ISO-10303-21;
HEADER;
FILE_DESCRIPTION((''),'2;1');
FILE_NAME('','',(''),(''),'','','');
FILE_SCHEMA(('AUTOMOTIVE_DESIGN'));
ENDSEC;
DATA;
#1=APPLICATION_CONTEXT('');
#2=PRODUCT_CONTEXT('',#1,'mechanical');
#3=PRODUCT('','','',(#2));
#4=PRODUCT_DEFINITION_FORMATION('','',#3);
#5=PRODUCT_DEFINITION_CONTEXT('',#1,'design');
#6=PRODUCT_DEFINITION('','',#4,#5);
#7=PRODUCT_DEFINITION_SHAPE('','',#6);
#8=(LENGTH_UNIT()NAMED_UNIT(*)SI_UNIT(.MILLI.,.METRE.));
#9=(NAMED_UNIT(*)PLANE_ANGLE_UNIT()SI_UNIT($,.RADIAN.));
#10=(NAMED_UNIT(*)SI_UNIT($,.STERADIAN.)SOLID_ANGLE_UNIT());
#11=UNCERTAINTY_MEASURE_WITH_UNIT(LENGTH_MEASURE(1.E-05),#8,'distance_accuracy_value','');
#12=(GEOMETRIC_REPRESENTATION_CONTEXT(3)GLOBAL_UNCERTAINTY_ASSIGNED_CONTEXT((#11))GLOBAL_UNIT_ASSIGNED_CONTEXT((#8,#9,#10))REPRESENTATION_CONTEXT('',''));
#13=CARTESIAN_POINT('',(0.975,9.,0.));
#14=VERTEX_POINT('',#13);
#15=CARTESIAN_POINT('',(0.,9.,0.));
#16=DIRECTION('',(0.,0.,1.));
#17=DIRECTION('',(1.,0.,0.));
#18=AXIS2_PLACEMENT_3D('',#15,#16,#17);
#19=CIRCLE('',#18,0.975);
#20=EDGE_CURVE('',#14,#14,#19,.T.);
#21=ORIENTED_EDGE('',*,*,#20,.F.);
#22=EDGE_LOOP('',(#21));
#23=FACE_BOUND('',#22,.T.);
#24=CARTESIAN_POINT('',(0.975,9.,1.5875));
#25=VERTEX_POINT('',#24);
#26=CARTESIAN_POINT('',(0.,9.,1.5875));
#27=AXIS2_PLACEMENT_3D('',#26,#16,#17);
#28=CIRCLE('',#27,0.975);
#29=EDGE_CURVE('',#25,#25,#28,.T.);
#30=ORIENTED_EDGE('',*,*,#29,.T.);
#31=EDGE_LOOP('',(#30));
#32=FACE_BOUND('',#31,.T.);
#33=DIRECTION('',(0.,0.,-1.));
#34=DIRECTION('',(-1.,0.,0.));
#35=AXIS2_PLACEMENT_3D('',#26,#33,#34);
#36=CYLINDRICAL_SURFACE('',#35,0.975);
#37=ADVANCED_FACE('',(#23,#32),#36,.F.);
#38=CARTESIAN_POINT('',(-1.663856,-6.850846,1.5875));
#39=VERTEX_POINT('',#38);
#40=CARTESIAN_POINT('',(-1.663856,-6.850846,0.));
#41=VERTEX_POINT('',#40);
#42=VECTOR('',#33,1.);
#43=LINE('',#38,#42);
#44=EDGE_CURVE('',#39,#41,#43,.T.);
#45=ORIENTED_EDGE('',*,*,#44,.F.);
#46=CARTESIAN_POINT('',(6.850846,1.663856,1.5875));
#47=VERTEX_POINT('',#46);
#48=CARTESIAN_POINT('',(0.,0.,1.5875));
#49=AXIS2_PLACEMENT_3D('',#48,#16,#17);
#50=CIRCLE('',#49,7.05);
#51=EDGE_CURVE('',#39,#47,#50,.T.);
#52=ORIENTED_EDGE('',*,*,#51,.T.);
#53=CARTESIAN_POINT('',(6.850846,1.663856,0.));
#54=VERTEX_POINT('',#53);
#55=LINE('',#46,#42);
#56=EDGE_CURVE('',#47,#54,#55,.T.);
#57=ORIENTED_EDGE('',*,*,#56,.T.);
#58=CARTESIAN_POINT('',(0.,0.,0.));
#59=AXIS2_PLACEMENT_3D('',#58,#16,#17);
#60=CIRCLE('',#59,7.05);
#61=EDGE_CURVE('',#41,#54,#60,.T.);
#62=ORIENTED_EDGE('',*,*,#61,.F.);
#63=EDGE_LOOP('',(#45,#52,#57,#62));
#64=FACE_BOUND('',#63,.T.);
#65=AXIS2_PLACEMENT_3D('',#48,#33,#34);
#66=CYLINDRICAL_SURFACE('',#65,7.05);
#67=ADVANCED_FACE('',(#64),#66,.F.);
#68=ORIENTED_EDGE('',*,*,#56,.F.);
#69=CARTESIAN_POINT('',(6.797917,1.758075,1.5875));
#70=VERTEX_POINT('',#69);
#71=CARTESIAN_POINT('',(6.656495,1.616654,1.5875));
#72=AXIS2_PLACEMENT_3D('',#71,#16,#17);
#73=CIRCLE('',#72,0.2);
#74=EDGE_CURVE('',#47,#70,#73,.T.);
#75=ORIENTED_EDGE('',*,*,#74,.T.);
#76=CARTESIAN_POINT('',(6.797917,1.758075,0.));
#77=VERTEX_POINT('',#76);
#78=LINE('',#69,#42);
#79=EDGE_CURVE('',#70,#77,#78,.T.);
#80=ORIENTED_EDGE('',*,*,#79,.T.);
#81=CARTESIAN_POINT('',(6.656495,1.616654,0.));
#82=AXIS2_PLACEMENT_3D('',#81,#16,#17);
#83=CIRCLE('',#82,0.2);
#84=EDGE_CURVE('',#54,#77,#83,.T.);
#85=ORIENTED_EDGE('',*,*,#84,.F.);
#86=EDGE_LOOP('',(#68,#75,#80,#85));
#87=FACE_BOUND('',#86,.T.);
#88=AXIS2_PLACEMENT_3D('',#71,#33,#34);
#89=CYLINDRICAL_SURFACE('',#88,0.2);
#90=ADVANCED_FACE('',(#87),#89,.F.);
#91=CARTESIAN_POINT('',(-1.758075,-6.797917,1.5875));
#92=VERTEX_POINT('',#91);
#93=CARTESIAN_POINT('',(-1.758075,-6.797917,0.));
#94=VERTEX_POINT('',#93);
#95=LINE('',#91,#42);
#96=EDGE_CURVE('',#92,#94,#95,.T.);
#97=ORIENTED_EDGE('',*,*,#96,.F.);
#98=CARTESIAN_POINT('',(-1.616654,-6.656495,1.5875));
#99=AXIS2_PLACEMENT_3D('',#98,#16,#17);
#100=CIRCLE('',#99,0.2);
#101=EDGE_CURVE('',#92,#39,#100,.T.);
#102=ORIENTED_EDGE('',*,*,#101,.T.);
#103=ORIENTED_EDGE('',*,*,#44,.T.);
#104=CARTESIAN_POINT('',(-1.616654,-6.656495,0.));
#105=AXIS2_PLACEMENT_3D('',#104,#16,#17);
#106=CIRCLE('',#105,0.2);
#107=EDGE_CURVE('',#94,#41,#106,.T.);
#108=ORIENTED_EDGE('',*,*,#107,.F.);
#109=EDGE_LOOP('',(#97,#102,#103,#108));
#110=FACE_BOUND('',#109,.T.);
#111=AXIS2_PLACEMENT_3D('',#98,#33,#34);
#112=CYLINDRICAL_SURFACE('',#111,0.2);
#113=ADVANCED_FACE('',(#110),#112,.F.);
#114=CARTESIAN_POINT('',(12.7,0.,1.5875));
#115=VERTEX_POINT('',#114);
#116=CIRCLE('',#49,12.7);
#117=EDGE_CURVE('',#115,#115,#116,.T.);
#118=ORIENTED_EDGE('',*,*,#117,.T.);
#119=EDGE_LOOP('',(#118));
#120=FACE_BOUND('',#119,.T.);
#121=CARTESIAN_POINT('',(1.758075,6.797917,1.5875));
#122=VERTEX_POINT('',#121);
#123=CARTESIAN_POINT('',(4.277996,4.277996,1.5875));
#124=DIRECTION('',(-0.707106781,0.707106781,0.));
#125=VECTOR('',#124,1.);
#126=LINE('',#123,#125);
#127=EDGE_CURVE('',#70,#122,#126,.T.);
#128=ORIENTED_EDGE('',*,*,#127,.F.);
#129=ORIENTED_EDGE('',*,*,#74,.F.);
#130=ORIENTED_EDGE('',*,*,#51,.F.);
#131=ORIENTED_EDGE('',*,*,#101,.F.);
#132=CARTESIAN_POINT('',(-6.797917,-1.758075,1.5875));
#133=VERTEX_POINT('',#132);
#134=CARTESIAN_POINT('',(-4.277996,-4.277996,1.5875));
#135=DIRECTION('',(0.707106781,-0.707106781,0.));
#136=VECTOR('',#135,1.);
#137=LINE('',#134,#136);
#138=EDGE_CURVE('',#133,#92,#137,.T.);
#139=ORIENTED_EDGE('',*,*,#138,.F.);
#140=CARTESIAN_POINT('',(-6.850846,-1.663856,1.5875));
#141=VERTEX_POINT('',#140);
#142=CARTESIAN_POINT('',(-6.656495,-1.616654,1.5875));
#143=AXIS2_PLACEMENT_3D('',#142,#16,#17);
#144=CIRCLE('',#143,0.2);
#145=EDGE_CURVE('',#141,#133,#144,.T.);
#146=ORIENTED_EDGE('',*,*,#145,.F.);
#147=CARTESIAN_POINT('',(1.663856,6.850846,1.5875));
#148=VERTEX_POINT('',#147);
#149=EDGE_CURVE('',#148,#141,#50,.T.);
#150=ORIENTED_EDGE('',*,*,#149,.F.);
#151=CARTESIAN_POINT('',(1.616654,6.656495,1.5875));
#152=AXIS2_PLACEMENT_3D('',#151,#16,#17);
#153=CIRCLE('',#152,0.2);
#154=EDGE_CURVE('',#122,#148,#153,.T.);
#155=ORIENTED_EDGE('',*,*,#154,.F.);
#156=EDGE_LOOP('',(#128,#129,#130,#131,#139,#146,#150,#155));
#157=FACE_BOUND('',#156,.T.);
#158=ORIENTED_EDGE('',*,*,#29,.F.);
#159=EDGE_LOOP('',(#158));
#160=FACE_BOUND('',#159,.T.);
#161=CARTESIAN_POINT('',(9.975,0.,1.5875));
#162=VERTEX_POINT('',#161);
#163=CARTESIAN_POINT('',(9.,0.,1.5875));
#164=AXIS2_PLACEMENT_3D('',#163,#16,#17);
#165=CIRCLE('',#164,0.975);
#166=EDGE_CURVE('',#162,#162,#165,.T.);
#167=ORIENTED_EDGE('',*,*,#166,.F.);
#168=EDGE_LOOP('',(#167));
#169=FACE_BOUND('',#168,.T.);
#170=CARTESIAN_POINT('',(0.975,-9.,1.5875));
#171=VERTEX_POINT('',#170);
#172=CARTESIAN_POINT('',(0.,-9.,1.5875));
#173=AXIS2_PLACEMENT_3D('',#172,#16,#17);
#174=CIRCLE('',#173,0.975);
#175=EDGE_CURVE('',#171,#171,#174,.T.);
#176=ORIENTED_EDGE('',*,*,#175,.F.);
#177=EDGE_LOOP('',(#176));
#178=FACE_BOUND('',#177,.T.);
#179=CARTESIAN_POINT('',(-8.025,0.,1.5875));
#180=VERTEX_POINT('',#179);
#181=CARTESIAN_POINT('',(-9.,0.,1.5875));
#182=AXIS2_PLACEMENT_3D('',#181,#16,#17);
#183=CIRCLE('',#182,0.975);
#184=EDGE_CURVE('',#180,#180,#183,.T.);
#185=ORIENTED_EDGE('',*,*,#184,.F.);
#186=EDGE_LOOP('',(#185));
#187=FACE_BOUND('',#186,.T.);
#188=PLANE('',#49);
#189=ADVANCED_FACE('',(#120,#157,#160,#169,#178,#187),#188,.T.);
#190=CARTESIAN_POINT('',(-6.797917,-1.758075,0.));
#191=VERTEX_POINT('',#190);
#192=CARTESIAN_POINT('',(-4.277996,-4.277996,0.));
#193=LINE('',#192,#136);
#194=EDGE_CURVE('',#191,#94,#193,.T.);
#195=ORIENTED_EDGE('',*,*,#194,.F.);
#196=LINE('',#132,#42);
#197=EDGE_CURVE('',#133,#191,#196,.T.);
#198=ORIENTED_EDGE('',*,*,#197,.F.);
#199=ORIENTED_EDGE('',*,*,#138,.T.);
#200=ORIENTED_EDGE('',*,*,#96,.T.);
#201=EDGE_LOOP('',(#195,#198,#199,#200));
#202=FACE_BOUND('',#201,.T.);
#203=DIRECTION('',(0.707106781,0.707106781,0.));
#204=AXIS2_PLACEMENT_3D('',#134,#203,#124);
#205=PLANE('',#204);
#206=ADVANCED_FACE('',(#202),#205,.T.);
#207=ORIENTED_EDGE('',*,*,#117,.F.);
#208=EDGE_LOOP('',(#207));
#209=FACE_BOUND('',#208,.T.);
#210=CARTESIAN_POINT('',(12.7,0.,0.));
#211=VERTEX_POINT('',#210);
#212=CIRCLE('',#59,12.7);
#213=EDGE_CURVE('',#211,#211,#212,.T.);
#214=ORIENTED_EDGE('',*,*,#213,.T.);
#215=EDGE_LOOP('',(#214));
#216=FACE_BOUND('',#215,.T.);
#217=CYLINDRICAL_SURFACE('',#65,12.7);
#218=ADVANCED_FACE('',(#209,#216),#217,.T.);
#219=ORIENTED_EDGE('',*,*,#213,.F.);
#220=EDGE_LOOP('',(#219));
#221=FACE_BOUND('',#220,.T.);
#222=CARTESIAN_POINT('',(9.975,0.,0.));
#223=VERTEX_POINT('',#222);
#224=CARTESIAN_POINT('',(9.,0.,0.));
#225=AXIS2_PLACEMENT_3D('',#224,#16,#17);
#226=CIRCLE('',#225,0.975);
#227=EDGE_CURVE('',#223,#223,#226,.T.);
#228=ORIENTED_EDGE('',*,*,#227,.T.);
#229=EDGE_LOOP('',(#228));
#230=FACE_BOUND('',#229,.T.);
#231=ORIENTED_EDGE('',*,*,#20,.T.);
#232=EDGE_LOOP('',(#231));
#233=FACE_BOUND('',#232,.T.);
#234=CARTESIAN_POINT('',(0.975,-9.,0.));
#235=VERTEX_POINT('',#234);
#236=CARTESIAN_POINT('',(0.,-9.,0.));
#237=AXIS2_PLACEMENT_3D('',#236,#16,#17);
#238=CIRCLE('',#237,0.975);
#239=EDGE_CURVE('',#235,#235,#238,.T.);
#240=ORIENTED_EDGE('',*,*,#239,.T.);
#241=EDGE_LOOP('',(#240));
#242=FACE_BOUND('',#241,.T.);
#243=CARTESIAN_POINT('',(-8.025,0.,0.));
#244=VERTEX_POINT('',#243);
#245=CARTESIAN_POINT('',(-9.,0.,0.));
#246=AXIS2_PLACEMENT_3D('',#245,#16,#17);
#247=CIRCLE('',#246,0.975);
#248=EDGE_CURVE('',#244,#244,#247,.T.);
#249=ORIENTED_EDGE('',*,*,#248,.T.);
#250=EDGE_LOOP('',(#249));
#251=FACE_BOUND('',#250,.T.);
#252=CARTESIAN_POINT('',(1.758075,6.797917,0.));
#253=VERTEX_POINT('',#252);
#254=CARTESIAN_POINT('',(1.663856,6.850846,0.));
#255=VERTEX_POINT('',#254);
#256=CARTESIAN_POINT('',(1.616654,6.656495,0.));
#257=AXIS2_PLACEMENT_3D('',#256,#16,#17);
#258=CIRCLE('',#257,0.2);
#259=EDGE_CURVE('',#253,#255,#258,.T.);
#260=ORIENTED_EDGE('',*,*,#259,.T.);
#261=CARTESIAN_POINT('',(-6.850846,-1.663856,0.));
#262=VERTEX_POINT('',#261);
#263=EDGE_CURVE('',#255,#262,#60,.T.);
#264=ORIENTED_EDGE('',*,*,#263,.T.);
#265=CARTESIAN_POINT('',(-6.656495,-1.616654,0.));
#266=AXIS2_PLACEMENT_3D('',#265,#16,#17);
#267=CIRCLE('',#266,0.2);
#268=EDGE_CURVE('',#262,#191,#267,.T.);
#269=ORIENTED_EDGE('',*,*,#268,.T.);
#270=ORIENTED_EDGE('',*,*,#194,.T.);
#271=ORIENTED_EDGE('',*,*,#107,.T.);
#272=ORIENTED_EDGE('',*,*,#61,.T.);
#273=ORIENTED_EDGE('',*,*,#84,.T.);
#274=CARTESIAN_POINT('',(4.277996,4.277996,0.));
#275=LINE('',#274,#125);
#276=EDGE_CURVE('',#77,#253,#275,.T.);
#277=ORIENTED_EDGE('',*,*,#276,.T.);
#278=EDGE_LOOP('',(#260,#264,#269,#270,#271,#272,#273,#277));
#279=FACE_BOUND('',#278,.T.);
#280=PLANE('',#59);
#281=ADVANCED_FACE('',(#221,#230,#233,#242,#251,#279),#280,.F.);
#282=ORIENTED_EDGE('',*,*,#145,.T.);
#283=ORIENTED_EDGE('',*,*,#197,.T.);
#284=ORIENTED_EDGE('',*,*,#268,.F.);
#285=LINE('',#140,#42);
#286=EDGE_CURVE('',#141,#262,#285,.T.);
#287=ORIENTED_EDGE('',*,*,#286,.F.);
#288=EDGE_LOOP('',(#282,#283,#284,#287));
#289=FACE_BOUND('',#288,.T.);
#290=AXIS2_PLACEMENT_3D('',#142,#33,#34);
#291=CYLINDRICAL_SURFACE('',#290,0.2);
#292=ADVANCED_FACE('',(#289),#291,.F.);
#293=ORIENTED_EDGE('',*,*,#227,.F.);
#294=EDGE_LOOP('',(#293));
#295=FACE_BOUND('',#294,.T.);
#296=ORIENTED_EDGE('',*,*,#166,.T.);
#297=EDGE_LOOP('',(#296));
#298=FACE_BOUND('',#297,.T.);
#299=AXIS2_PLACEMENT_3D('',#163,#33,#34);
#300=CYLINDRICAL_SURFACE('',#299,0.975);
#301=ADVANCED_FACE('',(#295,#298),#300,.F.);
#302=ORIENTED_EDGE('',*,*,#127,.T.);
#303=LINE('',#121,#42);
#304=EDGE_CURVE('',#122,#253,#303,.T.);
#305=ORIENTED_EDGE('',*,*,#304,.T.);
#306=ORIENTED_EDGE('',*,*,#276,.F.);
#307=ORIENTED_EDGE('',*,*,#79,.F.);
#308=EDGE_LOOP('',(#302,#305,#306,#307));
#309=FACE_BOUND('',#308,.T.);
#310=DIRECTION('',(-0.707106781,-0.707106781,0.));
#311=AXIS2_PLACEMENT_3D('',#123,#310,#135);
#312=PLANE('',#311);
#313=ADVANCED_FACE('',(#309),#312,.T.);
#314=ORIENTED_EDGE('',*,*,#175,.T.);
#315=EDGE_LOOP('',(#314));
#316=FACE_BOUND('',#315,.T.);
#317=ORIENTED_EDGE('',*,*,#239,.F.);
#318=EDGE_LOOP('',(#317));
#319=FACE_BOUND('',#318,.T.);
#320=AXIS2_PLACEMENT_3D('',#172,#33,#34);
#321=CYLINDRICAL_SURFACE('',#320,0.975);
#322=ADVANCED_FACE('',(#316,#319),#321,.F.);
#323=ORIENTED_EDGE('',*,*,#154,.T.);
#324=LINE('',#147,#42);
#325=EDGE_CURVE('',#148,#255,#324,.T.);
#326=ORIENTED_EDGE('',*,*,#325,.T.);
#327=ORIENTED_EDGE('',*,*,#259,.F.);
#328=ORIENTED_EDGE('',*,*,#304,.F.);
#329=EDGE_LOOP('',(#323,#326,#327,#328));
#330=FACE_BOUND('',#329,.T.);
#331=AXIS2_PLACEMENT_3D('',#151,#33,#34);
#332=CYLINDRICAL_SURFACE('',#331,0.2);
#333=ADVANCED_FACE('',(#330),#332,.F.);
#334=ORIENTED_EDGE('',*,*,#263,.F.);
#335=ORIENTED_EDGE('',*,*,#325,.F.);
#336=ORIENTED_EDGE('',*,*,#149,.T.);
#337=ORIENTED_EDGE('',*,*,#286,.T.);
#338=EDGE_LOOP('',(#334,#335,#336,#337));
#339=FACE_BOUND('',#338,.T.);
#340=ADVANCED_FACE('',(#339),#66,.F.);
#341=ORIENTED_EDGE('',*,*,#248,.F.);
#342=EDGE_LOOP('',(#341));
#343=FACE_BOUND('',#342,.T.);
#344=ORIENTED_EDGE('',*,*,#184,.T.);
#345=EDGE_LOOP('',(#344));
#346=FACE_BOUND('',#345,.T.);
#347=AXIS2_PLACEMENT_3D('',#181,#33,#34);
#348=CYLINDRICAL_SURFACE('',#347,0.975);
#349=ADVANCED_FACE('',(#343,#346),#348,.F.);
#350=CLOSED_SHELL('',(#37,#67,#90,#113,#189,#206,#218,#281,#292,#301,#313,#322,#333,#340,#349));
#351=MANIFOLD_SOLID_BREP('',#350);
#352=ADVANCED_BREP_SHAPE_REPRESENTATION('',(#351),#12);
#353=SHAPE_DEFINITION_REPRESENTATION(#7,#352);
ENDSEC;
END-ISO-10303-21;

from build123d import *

# Parameters (mm, degrees)
SKETCH3_R           = 12.7
SKETCH3_R_2         = 0.975
BOSS_EXTRUDE2_DEPTH = 1.5875


with BuildPart() as part:
    # Sketch3 → Boss-Extrude2 (new body)
    with BuildSketch(Plane.XY):
        Circle(SKETCH3_R)
        with BuildLine():
            ThreePointArc((6.269554118, 8.885849209), (0, 10.875), (-6.269554118, 8.885849209))
            Line((-6.269554118, 8.885849209), (-5.055813485, 7.672108576))
            ThreePointArc((-5.055813485, 7.672108576), (-5.055813485, 5.055813485), (-7.672108576, 5.055813485))
            Line((-7.672108576, 5.055813485), (-8.885849209, 6.269554118))
            ThreePointArc((-8.885849209, 6.269554118), (-10.875, 0), (-8.885849209, -6.269554118))
            Line((-8.885849209, -6.269554118), (-7.672108576, -5.055813485))
            ThreePointArc((-7.672108576, -5.055813485), (-5.055813485, -5.055813485), (-5.055813485, -7.672108576))
            Line((-5.055813485, -7.672108576), (-6.269554118, -8.885849209))
            ThreePointArc((-6.269554118, -8.885849209), (0, -10.875), (6.269554118, -8.885849209))
            Line((6.269554118, -8.885849209), (5.055813485, -7.672108576))
            ThreePointArc((5.055813485, -7.672108576), (5.055813485, -5.055813485), (7.672108576, -5.055813485))
            Line((7.672108576, -5.055813485), (8.885849209, -6.269554118))
            ThreePointArc((8.885849209, -6.269554118), (10.875, 0), (8.885849209, 6.269554118))
            Line((8.885849209, 6.269554118), (7.672108576, 5.055813485))
            ThreePointArc((7.672108576, 5.055813485), (5.055813485, 5.055813485), (5.055813485, 7.672108576))
            Line((5.055813485, 7.672108576), (6.269554118, 8.885849209))
        make_face(mode=Mode.SUBTRACT)
        with BuildLine():
            Line((5.055813485, 7.672108576), (6.269554118, 8.885849209))
            ThreePointArc((6.269554118, 8.885849209), (0, 10.875), (-6.269554118, 8.885849209))
            Line((-6.269554118, 8.885849209), (-5.055813485, 7.672108576))
            ThreePointArc((-5.055813485, 7.672108576), (-5.055813485, 5.055813485), (-7.672108576, 5.055813485))
            Line((-7.672108576, 5.055813485), (-8.885849209, 6.269554118))
            ThreePointArc((-8.885849209, 6.269554118), (-10.875, 0), (-8.885849209, -6.269554118))
            Line((-8.885849209, -6.269554118), (-7.672108576, -5.055813485))
            ThreePointArc((-7.672108576, -5.055813485), (-5.055813485, -5.055813485), (-5.055813485, -7.672108576))
            Line((-5.055813485, -7.672108576), (-6.269554118, -8.885849209))
            ThreePointArc((-6.269554118, -8.885849209), (0, -10.875), (6.269554118, -8.885849209))
            Line((6.269554118, -8.885849209), (5.055813485, -7.672108576))
            ThreePointArc((5.055813485, -7.672108576), (5.055813485, -5.055813485), (7.672108576, -5.055813485))
            Line((7.672108576, -5.055813485), (8.885849209, -6.269554118))
            ThreePointArc((8.885849209, -6.269554118), (10.875, 0), (8.885849209, 6.269554118))
            Line((8.885849209, 6.269554118), (7.672108576, 5.055813485))
            ThreePointArc((7.672108576, 5.055813485), (5.055813485, 5.055813485), (5.055813485, 7.672108576))
        make_face()
        with Locations((0, 9.000000134)):
            Circle(SKETCH3_R_2, mode=Mode.SUBTRACT)
        with Locations((9.000000134, 0)):
            Circle(SKETCH3_R_2, mode=Mode.SUBTRACT)
        with Locations((0, -9.000000134)):
            Circle(SKETCH3_R_2, mode=Mode.SUBTRACT)
        with Locations((-9.000000134, 0)):
            Circle(SKETCH3_R_2, mode=Mode.SUBTRACT)
        with BuildLine():
            ThreePointArc((6.850845531, 1.663855614), (6.830865544, 1.714608205), (6.79791666, 1.758075393))
            Line((6.79791666, 1.758075393), (1.758075393, 6.79791666))
            ThreePointArc((1.758075393, 6.79791666), (1.714608205, 6.830865544), (1.663855614, 6.850845531))
            ThreePointArc((1.663855614, 6.850845531), (-4.985102807, 4.985102807), (-6.850845531, -1.663855614))
            ThreePointArc((-6.850845531, -1.663855614), (-6.830865544, -1.714608205), (-6.79791666, -1.758075393))
            Line((-6.79791666, -1.758075393), (-1.758075393, -6.79791666))
            ThreePointArc((-1.758075393, -6.79791666), (-1.714608205, -6.830865544), (-1.663855614, -6.850845531))
            ThreePointArc((-1.663855614, -6.850845531), (4.985102807, -4.985102807), (6.850845531, 1.663855614))
        make_face(mode=Mode.SUBTRACT)
    extrude(amount=BOSS_EXTRUDE2_DEPTH)


solid = part.part
